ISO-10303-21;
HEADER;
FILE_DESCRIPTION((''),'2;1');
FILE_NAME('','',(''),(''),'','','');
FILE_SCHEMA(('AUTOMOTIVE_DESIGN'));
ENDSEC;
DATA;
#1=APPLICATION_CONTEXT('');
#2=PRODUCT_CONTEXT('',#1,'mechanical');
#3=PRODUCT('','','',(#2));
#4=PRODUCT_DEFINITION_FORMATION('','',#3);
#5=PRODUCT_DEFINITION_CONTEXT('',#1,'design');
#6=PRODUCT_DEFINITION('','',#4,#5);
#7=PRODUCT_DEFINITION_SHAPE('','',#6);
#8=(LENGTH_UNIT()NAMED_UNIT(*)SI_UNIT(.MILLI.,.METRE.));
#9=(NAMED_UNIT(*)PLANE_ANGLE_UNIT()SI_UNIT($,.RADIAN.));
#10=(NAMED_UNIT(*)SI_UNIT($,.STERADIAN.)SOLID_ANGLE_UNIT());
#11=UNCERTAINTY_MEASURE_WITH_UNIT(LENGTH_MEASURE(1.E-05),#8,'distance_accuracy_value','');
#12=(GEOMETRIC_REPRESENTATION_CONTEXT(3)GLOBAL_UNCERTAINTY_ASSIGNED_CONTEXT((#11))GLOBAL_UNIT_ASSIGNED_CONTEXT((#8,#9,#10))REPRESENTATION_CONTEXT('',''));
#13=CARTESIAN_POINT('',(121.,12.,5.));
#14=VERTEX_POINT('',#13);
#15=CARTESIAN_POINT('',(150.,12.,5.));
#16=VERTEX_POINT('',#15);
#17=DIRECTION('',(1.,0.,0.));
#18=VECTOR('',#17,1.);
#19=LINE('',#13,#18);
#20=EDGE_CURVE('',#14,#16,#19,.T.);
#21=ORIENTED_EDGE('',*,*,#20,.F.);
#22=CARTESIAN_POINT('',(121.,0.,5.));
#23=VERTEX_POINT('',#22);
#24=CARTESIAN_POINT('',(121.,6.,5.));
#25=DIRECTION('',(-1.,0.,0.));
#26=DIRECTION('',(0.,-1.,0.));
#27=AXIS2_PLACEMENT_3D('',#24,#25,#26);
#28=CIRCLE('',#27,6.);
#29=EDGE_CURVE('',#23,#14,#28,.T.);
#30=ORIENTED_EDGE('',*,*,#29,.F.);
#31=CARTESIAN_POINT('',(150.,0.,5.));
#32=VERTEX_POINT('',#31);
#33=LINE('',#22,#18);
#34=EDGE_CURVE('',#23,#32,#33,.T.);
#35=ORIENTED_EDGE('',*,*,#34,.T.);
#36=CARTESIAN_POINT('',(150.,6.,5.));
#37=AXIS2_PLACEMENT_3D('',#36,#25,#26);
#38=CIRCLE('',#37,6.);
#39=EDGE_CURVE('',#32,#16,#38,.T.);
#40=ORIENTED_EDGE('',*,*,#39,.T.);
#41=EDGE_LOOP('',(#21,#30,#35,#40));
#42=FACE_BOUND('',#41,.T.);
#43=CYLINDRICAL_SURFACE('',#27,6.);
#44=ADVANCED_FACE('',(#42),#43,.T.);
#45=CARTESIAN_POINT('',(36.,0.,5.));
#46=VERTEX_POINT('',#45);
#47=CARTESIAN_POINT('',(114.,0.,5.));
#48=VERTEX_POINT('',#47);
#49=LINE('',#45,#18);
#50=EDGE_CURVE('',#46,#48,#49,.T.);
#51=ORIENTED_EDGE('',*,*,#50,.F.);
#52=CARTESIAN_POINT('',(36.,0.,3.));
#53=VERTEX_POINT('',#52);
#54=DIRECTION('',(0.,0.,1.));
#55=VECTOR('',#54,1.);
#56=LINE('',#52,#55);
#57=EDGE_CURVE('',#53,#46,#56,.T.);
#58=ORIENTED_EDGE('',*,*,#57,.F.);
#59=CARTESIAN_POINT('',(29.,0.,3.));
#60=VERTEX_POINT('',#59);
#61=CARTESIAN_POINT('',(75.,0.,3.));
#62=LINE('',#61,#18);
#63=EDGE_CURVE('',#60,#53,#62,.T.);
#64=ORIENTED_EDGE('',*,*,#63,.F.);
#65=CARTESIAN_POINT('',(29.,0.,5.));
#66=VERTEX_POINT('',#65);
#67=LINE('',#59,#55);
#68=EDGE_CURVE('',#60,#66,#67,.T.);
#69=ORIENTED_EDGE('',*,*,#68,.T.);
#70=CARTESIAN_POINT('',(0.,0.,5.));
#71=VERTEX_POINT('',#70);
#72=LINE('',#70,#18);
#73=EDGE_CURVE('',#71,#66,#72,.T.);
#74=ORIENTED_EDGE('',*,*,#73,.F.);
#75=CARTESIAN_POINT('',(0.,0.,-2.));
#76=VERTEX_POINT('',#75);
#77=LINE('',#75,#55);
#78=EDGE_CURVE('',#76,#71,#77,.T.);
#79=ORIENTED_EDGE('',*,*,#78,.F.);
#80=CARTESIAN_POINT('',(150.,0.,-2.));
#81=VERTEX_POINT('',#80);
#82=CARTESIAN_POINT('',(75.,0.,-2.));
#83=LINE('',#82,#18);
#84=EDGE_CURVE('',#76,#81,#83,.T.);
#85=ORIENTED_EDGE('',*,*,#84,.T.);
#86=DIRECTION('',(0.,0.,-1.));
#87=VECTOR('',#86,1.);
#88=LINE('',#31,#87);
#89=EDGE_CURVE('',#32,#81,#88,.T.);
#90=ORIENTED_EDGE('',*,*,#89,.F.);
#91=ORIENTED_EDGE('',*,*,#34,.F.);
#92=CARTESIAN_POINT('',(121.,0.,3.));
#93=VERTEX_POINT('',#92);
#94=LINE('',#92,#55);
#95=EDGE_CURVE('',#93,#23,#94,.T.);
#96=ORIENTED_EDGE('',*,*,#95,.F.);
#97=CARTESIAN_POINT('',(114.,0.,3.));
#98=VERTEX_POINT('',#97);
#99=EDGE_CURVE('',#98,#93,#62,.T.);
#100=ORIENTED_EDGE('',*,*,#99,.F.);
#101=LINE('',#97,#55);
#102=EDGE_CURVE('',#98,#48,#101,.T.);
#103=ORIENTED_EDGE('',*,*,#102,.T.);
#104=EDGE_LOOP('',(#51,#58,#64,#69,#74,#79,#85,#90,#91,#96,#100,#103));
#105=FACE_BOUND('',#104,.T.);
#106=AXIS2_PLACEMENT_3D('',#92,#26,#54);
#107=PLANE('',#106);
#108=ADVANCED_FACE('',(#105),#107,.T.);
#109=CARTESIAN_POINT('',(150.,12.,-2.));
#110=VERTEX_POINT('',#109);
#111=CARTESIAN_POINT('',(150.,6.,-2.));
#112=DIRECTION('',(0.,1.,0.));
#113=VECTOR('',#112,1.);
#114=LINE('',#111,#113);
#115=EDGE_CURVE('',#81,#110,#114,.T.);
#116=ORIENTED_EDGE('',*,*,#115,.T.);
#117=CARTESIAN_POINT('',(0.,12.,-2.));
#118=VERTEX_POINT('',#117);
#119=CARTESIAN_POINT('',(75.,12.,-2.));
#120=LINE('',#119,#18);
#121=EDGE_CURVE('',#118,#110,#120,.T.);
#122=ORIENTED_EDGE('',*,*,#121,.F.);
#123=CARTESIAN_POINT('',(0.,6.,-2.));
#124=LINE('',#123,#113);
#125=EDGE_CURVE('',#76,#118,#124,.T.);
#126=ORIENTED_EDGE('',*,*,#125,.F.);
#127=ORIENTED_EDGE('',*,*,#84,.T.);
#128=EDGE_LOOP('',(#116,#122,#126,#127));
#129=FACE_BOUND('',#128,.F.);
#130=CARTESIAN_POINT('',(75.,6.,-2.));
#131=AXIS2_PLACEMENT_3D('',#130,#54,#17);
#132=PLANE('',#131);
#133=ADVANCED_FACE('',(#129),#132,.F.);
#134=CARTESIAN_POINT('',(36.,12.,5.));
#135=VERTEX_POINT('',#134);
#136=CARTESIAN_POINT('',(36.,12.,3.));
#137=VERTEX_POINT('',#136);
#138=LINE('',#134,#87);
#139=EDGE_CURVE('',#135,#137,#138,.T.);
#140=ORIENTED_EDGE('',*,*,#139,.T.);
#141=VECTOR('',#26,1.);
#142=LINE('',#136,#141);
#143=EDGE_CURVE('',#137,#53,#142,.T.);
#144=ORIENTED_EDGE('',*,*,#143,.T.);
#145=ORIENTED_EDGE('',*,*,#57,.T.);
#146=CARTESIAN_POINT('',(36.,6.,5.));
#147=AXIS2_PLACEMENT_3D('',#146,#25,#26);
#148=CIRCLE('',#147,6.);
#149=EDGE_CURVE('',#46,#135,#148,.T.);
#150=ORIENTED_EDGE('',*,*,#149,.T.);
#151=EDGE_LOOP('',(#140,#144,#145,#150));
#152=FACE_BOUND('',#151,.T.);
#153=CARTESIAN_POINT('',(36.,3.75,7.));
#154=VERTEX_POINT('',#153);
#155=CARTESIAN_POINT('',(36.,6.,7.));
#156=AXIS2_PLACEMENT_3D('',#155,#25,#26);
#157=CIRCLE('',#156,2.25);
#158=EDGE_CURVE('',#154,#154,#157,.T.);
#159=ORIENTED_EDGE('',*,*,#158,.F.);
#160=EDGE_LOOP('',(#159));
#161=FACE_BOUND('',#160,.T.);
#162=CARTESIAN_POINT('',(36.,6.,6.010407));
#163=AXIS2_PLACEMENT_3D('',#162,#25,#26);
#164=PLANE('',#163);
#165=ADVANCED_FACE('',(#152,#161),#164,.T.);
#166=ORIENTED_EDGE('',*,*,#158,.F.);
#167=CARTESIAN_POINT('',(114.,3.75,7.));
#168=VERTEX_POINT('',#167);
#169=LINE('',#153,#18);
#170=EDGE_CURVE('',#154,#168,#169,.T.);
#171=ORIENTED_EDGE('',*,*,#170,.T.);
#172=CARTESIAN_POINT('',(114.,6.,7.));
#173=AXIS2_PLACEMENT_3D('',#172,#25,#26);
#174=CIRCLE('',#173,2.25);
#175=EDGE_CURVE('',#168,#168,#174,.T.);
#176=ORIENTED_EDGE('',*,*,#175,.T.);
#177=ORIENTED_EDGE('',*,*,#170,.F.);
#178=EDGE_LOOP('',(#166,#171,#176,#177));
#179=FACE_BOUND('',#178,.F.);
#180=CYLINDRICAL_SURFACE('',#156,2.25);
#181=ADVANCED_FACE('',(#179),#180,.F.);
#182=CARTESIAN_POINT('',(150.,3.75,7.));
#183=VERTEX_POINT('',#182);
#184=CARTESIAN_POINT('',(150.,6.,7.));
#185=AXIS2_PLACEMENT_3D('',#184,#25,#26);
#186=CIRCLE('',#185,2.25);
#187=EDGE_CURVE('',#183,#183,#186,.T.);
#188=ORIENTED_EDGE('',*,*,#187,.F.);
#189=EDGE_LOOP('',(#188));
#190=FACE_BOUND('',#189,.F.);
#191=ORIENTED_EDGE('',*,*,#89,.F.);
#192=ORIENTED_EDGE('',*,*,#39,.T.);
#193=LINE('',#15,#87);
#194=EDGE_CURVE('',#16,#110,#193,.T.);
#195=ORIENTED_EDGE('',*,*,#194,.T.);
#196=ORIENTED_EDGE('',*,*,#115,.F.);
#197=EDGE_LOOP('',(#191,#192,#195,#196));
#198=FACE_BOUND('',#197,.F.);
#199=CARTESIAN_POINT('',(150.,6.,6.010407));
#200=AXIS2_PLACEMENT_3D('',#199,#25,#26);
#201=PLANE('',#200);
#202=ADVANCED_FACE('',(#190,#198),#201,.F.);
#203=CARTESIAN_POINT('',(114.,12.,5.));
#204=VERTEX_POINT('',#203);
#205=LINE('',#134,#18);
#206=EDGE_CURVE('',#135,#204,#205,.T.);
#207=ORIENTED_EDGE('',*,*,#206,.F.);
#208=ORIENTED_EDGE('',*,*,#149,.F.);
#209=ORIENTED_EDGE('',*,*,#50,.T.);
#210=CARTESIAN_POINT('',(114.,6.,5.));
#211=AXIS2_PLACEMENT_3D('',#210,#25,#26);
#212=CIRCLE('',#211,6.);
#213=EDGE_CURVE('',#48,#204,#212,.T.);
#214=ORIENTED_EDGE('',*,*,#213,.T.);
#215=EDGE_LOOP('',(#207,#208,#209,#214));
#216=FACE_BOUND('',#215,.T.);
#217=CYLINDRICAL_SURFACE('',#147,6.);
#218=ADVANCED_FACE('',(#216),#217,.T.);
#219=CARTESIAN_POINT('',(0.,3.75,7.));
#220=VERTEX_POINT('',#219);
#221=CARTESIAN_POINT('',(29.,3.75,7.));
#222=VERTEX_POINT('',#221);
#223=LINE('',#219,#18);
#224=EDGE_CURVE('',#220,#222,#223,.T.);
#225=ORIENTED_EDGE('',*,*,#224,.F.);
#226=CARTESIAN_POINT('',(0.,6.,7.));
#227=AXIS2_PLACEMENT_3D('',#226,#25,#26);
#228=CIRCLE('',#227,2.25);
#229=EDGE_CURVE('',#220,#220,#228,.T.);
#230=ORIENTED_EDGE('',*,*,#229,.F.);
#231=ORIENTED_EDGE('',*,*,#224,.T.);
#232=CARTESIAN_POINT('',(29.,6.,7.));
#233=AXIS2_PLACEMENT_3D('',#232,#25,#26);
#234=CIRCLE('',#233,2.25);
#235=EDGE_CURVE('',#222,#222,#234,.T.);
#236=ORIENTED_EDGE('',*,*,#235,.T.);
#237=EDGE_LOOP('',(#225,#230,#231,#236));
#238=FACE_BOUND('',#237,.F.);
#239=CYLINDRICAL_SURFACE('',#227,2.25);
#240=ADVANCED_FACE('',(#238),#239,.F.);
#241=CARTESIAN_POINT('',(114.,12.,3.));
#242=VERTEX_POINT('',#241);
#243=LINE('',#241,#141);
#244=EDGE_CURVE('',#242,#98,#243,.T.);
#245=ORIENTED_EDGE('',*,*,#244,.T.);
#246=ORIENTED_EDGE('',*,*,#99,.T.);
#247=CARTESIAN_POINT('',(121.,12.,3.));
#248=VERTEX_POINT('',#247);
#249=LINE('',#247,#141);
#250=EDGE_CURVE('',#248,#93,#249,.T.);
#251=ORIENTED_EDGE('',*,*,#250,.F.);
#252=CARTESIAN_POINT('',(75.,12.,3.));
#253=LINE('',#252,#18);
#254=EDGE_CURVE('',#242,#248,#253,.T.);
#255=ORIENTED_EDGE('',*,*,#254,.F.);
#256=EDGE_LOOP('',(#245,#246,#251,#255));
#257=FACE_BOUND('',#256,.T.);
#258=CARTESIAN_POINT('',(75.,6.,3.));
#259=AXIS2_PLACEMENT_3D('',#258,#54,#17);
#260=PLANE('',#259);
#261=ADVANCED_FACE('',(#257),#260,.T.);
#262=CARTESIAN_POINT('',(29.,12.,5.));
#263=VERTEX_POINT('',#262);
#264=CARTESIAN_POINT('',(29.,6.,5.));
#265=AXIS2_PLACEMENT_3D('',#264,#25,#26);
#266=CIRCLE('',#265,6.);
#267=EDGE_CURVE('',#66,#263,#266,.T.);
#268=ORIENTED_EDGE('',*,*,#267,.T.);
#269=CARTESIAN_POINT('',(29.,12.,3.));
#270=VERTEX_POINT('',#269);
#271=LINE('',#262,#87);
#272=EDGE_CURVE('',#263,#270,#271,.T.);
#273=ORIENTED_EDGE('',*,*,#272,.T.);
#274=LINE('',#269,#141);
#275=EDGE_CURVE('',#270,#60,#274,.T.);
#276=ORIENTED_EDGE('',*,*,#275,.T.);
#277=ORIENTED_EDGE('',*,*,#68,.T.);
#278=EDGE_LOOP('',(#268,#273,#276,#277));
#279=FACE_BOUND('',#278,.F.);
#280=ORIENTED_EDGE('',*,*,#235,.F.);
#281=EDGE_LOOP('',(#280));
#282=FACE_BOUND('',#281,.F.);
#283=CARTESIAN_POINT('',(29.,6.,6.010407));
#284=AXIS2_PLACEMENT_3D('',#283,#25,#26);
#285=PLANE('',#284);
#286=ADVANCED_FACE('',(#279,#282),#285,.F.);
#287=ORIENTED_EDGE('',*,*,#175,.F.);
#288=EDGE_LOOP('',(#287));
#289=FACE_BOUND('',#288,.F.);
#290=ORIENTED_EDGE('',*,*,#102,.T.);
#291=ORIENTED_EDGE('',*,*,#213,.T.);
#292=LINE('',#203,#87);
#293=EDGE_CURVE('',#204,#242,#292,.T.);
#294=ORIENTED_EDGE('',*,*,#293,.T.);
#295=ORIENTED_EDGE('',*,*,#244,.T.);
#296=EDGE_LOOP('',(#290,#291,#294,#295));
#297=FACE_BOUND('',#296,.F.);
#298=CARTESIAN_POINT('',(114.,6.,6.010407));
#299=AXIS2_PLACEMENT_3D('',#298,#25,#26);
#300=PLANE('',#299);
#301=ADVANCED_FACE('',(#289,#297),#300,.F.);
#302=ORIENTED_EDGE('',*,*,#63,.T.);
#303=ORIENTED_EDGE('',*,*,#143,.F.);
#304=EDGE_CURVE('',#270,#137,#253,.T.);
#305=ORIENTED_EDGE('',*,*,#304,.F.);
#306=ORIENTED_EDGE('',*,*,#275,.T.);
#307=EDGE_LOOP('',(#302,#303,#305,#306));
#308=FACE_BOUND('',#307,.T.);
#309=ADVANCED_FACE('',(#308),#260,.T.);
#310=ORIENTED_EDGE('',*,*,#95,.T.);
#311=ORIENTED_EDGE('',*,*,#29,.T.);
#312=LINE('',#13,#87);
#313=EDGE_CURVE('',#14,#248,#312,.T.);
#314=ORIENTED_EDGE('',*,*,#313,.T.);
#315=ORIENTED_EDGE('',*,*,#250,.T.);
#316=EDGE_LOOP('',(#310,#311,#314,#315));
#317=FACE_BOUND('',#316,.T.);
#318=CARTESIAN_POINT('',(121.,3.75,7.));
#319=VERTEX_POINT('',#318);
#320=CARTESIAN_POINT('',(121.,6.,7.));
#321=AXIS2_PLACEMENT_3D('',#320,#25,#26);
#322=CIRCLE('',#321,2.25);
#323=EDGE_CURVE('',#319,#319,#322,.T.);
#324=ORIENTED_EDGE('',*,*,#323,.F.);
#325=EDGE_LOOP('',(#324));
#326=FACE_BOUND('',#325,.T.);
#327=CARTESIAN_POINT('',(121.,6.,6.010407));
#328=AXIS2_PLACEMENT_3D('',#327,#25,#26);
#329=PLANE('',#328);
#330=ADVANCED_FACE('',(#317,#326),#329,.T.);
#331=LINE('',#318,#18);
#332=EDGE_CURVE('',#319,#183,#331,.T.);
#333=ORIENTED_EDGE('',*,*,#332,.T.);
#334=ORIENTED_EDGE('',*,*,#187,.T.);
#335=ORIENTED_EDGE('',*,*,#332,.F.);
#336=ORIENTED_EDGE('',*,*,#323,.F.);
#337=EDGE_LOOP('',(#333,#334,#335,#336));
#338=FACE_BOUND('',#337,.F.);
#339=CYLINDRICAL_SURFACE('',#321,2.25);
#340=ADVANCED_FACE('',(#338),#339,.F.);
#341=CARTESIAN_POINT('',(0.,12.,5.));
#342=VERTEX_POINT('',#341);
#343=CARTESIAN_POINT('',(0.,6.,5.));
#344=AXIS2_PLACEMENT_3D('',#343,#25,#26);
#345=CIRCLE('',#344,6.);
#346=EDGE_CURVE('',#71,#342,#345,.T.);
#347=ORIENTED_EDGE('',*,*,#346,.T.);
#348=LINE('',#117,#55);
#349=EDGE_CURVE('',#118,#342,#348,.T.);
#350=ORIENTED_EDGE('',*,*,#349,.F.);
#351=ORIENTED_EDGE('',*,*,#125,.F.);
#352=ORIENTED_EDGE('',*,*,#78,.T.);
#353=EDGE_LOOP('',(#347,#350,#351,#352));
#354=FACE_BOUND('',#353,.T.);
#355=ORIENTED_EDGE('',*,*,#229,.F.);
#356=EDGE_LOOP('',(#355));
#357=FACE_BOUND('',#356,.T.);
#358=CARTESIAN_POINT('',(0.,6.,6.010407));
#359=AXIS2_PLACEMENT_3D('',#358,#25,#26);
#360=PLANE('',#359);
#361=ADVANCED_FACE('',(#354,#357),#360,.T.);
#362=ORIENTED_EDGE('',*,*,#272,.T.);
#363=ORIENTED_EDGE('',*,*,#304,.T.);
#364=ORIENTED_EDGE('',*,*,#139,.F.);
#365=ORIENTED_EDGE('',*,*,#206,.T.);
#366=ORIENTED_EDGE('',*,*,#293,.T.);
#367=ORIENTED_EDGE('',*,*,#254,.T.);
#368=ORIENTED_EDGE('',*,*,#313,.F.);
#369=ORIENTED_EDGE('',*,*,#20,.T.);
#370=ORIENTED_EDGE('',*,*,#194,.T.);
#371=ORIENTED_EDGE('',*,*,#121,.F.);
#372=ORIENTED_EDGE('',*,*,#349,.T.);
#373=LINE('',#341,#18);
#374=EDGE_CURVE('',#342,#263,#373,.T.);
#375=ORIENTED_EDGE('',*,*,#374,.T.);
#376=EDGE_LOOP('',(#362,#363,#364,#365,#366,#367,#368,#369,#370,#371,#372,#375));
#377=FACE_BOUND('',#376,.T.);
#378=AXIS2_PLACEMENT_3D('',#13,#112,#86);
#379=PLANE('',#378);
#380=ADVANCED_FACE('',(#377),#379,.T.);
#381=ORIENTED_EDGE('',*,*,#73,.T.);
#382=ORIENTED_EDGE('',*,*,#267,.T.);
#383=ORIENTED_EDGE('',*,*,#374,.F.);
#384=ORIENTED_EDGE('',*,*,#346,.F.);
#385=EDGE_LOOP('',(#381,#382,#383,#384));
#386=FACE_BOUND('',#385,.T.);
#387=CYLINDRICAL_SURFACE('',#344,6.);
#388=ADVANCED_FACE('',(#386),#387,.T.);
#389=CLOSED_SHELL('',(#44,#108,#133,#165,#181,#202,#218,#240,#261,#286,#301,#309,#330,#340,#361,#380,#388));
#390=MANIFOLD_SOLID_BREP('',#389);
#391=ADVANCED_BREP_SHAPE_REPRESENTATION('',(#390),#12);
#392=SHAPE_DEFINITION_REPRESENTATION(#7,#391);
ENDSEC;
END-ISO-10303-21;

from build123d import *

# Parameters (mm, degrees)
F0_W          = 150
F0_H          = 12
F1_DEPTH      = 3
F1_DEPTH_BACK = 2
F2_R          = 2.25
F3_DEPTH      = 29
F4_START      = -36
F4_DEPTH      = 78
F5_START      = -121
F5_DEPTH      = 29


with BuildPart() as f1:
    # F0 (on Top) → F1 (new body, two sides)
    with BuildSketch(Plane.XY) as f1_sk:
        with Locations((75, 6)):
            Rectangle(F0_W, F0_H)
    extrude(amount=F1_DEPTH)
    extrude(f1_sk.sketch, amount=-F1_DEPTH_BACK)

    # F2 (on face) → F3 (join)
    with BuildSketch(Plane(origin=(0, 0, 0), x_dir=(0, -1, 0), z_dir=(-1, 0, 0))):
        with BuildLine():
            Line((-12, 5), (-12, 3))
            Line((-12, 3), (0, 3))
            Line((0, 3), (0, 5))
            ThreePointArc((0, 5), (-6, 11), (-12, 5))
        make_face()
        with Locations((-6, 7)):
            Circle(F2_R, mode=Mode.SUBTRACT)
    extrude(amount=-F3_DEPTH)

    # F2 (on face) → F4 (join)
    with BuildSketch(Plane(origin=(0, 0, 0), x_dir=(0, -1, 0), z_dir=(-1, 0, 0)).offset(F4_START)):
        with BuildLine():
            Line((-12, 5), (-12, 3))
            Line((-12, 3), (0, 3))
            Line((0, 3), (0, 5))
            ThreePointArc((0, 5), (-6, 11), (-12, 5))
        make_face()
        with Locations((-6, 7)):
            Circle(F2_R, mode=Mode.SUBTRACT)
    extrude(amount=-F4_DEPTH)

    # F2 (on face) → F5 (join)
    with BuildSketch(Plane(origin=(0, 0, 0), x_dir=(0, -1, 0), z_dir=(-1, 0, 0)).offset(F5_START)):
        with BuildLine():
            Line((-12, 5), (-12, 3))
            Line((-12, 3), (0, 3))
            Line((0, 3), (0, 5))
            ThreePointArc((0, 5), (-6, 11), (-12, 5))
        make_face()
        with Locations((-6, 7)):
            Circle(F2_R, mode=Mode.SUBTRACT)
    extrude(amount=-F5_DEPTH)


solid = f1.part
